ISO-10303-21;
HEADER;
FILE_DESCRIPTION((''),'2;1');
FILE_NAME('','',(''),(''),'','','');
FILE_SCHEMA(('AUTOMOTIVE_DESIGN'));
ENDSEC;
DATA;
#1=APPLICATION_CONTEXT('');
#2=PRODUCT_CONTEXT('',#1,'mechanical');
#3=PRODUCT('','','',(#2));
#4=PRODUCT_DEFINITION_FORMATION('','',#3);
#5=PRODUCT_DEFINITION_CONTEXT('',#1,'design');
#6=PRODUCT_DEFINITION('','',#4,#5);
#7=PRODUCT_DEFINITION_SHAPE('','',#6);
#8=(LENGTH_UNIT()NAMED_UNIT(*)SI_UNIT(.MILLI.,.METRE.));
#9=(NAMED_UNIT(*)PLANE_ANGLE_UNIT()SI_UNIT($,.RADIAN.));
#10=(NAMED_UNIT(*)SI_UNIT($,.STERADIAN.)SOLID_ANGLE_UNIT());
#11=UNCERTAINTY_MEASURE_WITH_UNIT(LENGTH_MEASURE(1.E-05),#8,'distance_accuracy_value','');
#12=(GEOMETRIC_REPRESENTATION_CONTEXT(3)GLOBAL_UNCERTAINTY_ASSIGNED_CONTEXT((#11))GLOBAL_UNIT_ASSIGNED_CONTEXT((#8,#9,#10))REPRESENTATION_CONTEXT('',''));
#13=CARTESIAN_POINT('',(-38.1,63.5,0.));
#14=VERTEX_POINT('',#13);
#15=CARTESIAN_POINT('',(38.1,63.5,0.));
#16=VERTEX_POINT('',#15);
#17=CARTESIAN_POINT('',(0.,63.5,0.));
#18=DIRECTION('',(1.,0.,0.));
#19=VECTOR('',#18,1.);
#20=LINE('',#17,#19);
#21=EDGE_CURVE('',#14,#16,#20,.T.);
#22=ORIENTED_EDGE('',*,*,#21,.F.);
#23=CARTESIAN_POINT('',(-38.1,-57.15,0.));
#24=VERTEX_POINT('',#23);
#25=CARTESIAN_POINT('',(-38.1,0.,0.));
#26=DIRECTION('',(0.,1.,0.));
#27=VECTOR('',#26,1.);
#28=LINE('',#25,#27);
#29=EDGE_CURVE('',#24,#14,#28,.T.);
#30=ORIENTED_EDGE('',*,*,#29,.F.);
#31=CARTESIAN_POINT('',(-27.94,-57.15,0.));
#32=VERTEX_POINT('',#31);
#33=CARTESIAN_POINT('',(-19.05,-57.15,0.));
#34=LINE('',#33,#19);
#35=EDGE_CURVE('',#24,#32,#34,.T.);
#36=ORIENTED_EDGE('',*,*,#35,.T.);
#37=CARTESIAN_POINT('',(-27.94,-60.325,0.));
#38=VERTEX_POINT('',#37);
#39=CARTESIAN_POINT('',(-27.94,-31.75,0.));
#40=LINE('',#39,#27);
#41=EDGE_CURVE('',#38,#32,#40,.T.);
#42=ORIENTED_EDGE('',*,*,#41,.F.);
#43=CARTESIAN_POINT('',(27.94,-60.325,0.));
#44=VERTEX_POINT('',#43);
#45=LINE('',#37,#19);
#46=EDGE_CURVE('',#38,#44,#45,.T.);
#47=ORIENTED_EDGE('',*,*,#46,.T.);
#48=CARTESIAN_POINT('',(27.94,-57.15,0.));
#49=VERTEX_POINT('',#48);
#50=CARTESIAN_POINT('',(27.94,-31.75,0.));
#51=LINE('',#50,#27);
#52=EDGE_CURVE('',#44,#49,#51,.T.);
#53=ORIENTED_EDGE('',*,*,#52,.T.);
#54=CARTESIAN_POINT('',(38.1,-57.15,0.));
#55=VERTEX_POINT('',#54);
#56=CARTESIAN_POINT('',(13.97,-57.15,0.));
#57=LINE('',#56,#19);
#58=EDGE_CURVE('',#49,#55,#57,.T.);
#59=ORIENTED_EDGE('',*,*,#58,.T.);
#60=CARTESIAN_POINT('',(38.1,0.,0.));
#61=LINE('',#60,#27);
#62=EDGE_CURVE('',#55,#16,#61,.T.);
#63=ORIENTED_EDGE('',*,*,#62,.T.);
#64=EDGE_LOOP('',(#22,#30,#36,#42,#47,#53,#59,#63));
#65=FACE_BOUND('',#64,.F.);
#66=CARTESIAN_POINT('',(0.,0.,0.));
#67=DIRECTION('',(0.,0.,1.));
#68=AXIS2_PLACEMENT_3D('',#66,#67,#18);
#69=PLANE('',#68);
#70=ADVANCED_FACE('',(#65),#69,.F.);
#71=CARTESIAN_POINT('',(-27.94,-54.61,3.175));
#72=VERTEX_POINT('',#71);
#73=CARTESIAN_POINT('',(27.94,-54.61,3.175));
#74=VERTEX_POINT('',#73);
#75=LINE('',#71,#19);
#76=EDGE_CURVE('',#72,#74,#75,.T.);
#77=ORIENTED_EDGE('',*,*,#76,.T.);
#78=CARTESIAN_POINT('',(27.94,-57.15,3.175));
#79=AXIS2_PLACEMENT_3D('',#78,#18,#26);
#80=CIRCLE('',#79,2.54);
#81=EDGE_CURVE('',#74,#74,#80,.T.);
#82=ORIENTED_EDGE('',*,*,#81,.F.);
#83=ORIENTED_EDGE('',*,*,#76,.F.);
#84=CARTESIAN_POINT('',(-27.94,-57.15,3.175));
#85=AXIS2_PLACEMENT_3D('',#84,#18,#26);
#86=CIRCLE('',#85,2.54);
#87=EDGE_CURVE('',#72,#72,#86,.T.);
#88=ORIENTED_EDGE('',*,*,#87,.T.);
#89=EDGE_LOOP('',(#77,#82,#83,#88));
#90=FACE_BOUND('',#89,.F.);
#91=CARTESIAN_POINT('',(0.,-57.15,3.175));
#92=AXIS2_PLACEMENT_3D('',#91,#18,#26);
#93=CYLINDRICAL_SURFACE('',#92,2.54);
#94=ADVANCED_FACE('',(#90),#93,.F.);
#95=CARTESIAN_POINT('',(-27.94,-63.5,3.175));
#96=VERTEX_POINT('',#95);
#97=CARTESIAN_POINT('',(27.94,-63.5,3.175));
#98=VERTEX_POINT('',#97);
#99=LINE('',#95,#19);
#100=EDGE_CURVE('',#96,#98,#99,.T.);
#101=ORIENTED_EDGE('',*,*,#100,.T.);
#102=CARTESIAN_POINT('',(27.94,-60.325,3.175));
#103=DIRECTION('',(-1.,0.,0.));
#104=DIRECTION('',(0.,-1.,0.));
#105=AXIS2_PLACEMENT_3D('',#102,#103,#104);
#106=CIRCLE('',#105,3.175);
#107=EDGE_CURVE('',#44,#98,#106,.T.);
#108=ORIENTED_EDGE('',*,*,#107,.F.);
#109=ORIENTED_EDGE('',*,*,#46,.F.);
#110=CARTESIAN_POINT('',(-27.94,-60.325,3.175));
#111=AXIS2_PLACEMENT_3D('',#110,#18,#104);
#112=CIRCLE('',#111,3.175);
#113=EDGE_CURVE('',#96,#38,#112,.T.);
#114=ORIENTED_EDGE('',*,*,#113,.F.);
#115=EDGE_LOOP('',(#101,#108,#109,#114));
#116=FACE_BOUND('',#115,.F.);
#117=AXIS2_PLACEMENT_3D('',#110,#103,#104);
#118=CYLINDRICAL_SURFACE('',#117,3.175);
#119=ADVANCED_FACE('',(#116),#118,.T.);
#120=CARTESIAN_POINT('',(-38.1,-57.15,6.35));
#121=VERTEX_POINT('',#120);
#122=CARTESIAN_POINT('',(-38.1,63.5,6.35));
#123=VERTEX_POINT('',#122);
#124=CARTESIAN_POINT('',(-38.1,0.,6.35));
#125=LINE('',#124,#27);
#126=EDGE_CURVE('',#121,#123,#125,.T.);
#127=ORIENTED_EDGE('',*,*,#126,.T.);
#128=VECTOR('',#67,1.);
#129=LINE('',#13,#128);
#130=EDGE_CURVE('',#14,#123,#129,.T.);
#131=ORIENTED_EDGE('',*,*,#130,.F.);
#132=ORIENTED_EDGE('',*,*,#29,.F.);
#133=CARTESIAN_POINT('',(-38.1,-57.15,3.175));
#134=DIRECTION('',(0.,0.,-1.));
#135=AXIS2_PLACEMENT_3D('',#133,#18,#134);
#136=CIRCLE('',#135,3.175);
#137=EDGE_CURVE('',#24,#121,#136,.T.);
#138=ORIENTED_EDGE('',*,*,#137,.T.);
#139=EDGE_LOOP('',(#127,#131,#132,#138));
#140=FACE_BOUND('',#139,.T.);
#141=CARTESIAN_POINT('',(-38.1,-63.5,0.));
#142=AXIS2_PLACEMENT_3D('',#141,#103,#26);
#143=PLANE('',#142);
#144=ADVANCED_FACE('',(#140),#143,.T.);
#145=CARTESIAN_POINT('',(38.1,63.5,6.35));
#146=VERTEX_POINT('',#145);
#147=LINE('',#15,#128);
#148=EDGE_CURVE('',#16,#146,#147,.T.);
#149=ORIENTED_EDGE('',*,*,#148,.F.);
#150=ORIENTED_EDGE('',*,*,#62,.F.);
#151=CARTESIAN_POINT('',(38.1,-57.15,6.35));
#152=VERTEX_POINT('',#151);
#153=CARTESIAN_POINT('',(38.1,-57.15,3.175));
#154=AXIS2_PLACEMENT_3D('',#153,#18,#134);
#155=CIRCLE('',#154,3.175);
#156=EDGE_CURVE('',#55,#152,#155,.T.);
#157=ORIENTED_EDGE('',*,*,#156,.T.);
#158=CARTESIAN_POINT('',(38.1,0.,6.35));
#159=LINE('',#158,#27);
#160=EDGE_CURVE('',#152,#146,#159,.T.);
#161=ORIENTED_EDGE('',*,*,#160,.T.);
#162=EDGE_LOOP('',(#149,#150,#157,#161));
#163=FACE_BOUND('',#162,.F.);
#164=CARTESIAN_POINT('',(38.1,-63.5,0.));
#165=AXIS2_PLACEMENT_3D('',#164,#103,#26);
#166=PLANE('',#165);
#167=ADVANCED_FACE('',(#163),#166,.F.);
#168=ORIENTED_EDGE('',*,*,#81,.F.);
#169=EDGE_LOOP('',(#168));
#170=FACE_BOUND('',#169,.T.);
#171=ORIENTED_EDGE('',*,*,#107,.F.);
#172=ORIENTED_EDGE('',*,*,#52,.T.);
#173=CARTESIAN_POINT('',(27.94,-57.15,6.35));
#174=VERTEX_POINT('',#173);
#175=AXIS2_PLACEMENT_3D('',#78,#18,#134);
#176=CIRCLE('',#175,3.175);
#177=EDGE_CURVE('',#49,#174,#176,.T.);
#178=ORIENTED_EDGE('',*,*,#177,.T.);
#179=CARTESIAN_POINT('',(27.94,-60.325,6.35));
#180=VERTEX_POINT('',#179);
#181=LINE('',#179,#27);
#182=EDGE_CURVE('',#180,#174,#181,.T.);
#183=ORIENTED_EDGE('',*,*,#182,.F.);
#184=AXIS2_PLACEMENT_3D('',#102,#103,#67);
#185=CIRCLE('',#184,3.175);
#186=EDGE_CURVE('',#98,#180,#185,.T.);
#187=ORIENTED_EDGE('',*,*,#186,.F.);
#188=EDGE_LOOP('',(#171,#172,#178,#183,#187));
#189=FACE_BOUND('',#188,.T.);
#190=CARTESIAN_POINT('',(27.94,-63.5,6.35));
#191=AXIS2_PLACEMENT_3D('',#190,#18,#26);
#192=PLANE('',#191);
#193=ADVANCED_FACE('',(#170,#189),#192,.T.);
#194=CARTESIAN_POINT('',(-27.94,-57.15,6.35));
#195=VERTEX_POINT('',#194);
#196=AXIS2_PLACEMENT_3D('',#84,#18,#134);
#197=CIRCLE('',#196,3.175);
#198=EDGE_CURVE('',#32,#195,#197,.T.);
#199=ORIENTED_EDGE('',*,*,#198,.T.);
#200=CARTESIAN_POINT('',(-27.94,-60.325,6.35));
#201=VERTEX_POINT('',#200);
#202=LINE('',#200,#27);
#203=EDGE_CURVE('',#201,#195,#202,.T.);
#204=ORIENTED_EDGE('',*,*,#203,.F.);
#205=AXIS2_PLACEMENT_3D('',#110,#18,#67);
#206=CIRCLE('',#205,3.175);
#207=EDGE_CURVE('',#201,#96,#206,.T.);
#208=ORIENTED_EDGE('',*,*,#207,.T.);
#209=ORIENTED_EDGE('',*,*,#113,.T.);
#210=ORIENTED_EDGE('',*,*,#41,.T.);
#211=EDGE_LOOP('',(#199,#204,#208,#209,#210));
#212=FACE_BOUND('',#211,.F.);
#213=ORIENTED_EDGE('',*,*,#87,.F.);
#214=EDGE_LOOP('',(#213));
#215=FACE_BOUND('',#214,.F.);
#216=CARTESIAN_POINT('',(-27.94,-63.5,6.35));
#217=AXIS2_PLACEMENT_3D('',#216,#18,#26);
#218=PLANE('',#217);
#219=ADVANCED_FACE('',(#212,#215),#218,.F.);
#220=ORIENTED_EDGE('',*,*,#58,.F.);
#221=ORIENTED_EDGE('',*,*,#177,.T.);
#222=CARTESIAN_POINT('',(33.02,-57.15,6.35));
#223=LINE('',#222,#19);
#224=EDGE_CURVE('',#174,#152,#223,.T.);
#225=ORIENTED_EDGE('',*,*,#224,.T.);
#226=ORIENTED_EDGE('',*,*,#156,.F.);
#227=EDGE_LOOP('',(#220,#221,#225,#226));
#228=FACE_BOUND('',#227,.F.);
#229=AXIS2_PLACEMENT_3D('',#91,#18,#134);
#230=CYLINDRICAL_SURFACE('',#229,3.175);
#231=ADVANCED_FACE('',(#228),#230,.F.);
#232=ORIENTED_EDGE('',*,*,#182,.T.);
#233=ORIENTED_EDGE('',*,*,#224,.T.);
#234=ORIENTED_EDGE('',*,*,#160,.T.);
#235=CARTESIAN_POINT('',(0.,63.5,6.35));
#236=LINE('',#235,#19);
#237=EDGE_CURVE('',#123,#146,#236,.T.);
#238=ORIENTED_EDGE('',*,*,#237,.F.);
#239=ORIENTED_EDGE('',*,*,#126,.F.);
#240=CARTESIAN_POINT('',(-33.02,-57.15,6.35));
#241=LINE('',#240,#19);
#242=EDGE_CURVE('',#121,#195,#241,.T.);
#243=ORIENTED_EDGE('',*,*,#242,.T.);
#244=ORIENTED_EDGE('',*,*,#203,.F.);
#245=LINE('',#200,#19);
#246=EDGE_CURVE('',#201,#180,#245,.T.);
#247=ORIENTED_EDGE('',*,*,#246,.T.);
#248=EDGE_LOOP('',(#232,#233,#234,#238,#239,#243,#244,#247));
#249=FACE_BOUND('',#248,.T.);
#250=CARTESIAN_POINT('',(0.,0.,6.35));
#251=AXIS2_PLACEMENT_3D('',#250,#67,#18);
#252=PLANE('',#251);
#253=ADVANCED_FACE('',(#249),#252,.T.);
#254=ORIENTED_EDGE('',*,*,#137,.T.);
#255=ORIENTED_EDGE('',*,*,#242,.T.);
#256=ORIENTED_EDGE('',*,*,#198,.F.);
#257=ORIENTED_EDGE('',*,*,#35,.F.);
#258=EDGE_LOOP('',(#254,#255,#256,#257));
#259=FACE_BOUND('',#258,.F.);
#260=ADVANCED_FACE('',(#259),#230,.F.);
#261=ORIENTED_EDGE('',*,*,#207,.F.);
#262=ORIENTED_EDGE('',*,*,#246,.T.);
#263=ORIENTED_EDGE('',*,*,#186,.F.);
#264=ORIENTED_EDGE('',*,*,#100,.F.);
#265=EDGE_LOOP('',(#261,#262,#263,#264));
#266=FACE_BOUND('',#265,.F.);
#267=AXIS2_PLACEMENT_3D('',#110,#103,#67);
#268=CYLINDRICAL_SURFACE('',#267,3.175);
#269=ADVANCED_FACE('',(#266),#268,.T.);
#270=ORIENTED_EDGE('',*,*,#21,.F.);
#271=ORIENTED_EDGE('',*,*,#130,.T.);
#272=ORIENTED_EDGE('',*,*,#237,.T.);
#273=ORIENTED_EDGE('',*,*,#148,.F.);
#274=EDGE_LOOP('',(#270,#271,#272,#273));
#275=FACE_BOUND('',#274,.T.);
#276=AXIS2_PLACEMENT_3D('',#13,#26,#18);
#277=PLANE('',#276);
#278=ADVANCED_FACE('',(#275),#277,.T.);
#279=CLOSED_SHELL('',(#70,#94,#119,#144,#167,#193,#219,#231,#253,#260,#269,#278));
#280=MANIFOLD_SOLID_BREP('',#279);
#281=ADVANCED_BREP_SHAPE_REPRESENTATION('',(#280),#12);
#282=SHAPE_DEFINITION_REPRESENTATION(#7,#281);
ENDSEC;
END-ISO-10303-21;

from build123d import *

# Parameters (mm, degrees)
F0_W      = 76.2
F0_H      = 127
F1_DEPTH  = 6.35
F2_W      = 10.16
F2_H      = 6.35
F3_DEPTH  = 25.4
F5_DEPTH  = 76.2
F7_DEPTH  = 38.1
F8_W      = 55.88
F8_H      = 9.9150016904
F9_DEPTH  = 6.35
F11_R     = 2.54
F12_DEPTH = 27.94


with BuildPart() as f1:
    # F0 (on Top) → F1 (new body)
    with BuildSketch(Plane.XY):
        Rectangle(F0_W, F0_H)
    extrude(amount=F1_DEPTH)

    # F2 (on face) → F3 (cut)
    with BuildSketch(Plane.XY.offset(6.35)):
        with Locations((-33.02, -60.325)):
            Rectangle(F2_W, F2_H)
        with Locations((33.02, -60.325)):
            Rectangle(F2_W, F2_H)
    extrude(amount=-F3_DEPTH, mode=Mode.SUBTRACT)

    # F4 (on face) → F5 (cut)
    with BuildSketch(Plane(origin=(-27.94, 0, 0), x_dir=(0, -1, 0), z_dir=(-1, 0, 0))):
        with BuildLine():
            ThreePointArc((60.325, 6.35), (62.5700640303, 5.4200640303), (63.5, 3.175))
            Line((63.5, 3.175), (63.5, 6.35))
            Line((63.5, 6.35), (60.325, 6.35))
        make_face()
        with BuildLine():
            Line((63.5, 0), (63.5, 3.175))
            ThreePointArc((63.5, 3.175), (62.5700640303, 0.9299359697), (60.325, 0))
            Line((60.325, 0), (63.5, 0))
        make_face()
    extrude(amount=-F5_DEPTH, mode=Mode.SUBTRACT)

    # F6 (on Right) → F7 (cut, symmetric)
    with BuildSketch(Plane.YZ):
        with BuildLine():
            Line((-57.15, 6.35), (-57.15, 0))
            ThreePointArc((-57.15, 0), (-53.975, 3.175), (-57.15, 6.35))
        make_face()
    extrude(amount=F7_DEPTH, both=True, mode=Mode.SUBTRACT)

    # F8 (on Top) → F9 (join)
    with BuildSketch(Plane.XY):
        with Locations((0, -52.1924991548)):
            Rectangle(F8_W, F8_H)
    extrude(amount=F9_DEPTH)

    # F11 (on Right) → F12 (cut, symmetric)
    with BuildSketch(Plane.YZ):
        with Locations((-57.15, 3.175)):
            Circle(F11_R)
    extrude(amount=F12_DEPTH, both=True, mode=Mode.SUBTRACT)


solid = f1.part
